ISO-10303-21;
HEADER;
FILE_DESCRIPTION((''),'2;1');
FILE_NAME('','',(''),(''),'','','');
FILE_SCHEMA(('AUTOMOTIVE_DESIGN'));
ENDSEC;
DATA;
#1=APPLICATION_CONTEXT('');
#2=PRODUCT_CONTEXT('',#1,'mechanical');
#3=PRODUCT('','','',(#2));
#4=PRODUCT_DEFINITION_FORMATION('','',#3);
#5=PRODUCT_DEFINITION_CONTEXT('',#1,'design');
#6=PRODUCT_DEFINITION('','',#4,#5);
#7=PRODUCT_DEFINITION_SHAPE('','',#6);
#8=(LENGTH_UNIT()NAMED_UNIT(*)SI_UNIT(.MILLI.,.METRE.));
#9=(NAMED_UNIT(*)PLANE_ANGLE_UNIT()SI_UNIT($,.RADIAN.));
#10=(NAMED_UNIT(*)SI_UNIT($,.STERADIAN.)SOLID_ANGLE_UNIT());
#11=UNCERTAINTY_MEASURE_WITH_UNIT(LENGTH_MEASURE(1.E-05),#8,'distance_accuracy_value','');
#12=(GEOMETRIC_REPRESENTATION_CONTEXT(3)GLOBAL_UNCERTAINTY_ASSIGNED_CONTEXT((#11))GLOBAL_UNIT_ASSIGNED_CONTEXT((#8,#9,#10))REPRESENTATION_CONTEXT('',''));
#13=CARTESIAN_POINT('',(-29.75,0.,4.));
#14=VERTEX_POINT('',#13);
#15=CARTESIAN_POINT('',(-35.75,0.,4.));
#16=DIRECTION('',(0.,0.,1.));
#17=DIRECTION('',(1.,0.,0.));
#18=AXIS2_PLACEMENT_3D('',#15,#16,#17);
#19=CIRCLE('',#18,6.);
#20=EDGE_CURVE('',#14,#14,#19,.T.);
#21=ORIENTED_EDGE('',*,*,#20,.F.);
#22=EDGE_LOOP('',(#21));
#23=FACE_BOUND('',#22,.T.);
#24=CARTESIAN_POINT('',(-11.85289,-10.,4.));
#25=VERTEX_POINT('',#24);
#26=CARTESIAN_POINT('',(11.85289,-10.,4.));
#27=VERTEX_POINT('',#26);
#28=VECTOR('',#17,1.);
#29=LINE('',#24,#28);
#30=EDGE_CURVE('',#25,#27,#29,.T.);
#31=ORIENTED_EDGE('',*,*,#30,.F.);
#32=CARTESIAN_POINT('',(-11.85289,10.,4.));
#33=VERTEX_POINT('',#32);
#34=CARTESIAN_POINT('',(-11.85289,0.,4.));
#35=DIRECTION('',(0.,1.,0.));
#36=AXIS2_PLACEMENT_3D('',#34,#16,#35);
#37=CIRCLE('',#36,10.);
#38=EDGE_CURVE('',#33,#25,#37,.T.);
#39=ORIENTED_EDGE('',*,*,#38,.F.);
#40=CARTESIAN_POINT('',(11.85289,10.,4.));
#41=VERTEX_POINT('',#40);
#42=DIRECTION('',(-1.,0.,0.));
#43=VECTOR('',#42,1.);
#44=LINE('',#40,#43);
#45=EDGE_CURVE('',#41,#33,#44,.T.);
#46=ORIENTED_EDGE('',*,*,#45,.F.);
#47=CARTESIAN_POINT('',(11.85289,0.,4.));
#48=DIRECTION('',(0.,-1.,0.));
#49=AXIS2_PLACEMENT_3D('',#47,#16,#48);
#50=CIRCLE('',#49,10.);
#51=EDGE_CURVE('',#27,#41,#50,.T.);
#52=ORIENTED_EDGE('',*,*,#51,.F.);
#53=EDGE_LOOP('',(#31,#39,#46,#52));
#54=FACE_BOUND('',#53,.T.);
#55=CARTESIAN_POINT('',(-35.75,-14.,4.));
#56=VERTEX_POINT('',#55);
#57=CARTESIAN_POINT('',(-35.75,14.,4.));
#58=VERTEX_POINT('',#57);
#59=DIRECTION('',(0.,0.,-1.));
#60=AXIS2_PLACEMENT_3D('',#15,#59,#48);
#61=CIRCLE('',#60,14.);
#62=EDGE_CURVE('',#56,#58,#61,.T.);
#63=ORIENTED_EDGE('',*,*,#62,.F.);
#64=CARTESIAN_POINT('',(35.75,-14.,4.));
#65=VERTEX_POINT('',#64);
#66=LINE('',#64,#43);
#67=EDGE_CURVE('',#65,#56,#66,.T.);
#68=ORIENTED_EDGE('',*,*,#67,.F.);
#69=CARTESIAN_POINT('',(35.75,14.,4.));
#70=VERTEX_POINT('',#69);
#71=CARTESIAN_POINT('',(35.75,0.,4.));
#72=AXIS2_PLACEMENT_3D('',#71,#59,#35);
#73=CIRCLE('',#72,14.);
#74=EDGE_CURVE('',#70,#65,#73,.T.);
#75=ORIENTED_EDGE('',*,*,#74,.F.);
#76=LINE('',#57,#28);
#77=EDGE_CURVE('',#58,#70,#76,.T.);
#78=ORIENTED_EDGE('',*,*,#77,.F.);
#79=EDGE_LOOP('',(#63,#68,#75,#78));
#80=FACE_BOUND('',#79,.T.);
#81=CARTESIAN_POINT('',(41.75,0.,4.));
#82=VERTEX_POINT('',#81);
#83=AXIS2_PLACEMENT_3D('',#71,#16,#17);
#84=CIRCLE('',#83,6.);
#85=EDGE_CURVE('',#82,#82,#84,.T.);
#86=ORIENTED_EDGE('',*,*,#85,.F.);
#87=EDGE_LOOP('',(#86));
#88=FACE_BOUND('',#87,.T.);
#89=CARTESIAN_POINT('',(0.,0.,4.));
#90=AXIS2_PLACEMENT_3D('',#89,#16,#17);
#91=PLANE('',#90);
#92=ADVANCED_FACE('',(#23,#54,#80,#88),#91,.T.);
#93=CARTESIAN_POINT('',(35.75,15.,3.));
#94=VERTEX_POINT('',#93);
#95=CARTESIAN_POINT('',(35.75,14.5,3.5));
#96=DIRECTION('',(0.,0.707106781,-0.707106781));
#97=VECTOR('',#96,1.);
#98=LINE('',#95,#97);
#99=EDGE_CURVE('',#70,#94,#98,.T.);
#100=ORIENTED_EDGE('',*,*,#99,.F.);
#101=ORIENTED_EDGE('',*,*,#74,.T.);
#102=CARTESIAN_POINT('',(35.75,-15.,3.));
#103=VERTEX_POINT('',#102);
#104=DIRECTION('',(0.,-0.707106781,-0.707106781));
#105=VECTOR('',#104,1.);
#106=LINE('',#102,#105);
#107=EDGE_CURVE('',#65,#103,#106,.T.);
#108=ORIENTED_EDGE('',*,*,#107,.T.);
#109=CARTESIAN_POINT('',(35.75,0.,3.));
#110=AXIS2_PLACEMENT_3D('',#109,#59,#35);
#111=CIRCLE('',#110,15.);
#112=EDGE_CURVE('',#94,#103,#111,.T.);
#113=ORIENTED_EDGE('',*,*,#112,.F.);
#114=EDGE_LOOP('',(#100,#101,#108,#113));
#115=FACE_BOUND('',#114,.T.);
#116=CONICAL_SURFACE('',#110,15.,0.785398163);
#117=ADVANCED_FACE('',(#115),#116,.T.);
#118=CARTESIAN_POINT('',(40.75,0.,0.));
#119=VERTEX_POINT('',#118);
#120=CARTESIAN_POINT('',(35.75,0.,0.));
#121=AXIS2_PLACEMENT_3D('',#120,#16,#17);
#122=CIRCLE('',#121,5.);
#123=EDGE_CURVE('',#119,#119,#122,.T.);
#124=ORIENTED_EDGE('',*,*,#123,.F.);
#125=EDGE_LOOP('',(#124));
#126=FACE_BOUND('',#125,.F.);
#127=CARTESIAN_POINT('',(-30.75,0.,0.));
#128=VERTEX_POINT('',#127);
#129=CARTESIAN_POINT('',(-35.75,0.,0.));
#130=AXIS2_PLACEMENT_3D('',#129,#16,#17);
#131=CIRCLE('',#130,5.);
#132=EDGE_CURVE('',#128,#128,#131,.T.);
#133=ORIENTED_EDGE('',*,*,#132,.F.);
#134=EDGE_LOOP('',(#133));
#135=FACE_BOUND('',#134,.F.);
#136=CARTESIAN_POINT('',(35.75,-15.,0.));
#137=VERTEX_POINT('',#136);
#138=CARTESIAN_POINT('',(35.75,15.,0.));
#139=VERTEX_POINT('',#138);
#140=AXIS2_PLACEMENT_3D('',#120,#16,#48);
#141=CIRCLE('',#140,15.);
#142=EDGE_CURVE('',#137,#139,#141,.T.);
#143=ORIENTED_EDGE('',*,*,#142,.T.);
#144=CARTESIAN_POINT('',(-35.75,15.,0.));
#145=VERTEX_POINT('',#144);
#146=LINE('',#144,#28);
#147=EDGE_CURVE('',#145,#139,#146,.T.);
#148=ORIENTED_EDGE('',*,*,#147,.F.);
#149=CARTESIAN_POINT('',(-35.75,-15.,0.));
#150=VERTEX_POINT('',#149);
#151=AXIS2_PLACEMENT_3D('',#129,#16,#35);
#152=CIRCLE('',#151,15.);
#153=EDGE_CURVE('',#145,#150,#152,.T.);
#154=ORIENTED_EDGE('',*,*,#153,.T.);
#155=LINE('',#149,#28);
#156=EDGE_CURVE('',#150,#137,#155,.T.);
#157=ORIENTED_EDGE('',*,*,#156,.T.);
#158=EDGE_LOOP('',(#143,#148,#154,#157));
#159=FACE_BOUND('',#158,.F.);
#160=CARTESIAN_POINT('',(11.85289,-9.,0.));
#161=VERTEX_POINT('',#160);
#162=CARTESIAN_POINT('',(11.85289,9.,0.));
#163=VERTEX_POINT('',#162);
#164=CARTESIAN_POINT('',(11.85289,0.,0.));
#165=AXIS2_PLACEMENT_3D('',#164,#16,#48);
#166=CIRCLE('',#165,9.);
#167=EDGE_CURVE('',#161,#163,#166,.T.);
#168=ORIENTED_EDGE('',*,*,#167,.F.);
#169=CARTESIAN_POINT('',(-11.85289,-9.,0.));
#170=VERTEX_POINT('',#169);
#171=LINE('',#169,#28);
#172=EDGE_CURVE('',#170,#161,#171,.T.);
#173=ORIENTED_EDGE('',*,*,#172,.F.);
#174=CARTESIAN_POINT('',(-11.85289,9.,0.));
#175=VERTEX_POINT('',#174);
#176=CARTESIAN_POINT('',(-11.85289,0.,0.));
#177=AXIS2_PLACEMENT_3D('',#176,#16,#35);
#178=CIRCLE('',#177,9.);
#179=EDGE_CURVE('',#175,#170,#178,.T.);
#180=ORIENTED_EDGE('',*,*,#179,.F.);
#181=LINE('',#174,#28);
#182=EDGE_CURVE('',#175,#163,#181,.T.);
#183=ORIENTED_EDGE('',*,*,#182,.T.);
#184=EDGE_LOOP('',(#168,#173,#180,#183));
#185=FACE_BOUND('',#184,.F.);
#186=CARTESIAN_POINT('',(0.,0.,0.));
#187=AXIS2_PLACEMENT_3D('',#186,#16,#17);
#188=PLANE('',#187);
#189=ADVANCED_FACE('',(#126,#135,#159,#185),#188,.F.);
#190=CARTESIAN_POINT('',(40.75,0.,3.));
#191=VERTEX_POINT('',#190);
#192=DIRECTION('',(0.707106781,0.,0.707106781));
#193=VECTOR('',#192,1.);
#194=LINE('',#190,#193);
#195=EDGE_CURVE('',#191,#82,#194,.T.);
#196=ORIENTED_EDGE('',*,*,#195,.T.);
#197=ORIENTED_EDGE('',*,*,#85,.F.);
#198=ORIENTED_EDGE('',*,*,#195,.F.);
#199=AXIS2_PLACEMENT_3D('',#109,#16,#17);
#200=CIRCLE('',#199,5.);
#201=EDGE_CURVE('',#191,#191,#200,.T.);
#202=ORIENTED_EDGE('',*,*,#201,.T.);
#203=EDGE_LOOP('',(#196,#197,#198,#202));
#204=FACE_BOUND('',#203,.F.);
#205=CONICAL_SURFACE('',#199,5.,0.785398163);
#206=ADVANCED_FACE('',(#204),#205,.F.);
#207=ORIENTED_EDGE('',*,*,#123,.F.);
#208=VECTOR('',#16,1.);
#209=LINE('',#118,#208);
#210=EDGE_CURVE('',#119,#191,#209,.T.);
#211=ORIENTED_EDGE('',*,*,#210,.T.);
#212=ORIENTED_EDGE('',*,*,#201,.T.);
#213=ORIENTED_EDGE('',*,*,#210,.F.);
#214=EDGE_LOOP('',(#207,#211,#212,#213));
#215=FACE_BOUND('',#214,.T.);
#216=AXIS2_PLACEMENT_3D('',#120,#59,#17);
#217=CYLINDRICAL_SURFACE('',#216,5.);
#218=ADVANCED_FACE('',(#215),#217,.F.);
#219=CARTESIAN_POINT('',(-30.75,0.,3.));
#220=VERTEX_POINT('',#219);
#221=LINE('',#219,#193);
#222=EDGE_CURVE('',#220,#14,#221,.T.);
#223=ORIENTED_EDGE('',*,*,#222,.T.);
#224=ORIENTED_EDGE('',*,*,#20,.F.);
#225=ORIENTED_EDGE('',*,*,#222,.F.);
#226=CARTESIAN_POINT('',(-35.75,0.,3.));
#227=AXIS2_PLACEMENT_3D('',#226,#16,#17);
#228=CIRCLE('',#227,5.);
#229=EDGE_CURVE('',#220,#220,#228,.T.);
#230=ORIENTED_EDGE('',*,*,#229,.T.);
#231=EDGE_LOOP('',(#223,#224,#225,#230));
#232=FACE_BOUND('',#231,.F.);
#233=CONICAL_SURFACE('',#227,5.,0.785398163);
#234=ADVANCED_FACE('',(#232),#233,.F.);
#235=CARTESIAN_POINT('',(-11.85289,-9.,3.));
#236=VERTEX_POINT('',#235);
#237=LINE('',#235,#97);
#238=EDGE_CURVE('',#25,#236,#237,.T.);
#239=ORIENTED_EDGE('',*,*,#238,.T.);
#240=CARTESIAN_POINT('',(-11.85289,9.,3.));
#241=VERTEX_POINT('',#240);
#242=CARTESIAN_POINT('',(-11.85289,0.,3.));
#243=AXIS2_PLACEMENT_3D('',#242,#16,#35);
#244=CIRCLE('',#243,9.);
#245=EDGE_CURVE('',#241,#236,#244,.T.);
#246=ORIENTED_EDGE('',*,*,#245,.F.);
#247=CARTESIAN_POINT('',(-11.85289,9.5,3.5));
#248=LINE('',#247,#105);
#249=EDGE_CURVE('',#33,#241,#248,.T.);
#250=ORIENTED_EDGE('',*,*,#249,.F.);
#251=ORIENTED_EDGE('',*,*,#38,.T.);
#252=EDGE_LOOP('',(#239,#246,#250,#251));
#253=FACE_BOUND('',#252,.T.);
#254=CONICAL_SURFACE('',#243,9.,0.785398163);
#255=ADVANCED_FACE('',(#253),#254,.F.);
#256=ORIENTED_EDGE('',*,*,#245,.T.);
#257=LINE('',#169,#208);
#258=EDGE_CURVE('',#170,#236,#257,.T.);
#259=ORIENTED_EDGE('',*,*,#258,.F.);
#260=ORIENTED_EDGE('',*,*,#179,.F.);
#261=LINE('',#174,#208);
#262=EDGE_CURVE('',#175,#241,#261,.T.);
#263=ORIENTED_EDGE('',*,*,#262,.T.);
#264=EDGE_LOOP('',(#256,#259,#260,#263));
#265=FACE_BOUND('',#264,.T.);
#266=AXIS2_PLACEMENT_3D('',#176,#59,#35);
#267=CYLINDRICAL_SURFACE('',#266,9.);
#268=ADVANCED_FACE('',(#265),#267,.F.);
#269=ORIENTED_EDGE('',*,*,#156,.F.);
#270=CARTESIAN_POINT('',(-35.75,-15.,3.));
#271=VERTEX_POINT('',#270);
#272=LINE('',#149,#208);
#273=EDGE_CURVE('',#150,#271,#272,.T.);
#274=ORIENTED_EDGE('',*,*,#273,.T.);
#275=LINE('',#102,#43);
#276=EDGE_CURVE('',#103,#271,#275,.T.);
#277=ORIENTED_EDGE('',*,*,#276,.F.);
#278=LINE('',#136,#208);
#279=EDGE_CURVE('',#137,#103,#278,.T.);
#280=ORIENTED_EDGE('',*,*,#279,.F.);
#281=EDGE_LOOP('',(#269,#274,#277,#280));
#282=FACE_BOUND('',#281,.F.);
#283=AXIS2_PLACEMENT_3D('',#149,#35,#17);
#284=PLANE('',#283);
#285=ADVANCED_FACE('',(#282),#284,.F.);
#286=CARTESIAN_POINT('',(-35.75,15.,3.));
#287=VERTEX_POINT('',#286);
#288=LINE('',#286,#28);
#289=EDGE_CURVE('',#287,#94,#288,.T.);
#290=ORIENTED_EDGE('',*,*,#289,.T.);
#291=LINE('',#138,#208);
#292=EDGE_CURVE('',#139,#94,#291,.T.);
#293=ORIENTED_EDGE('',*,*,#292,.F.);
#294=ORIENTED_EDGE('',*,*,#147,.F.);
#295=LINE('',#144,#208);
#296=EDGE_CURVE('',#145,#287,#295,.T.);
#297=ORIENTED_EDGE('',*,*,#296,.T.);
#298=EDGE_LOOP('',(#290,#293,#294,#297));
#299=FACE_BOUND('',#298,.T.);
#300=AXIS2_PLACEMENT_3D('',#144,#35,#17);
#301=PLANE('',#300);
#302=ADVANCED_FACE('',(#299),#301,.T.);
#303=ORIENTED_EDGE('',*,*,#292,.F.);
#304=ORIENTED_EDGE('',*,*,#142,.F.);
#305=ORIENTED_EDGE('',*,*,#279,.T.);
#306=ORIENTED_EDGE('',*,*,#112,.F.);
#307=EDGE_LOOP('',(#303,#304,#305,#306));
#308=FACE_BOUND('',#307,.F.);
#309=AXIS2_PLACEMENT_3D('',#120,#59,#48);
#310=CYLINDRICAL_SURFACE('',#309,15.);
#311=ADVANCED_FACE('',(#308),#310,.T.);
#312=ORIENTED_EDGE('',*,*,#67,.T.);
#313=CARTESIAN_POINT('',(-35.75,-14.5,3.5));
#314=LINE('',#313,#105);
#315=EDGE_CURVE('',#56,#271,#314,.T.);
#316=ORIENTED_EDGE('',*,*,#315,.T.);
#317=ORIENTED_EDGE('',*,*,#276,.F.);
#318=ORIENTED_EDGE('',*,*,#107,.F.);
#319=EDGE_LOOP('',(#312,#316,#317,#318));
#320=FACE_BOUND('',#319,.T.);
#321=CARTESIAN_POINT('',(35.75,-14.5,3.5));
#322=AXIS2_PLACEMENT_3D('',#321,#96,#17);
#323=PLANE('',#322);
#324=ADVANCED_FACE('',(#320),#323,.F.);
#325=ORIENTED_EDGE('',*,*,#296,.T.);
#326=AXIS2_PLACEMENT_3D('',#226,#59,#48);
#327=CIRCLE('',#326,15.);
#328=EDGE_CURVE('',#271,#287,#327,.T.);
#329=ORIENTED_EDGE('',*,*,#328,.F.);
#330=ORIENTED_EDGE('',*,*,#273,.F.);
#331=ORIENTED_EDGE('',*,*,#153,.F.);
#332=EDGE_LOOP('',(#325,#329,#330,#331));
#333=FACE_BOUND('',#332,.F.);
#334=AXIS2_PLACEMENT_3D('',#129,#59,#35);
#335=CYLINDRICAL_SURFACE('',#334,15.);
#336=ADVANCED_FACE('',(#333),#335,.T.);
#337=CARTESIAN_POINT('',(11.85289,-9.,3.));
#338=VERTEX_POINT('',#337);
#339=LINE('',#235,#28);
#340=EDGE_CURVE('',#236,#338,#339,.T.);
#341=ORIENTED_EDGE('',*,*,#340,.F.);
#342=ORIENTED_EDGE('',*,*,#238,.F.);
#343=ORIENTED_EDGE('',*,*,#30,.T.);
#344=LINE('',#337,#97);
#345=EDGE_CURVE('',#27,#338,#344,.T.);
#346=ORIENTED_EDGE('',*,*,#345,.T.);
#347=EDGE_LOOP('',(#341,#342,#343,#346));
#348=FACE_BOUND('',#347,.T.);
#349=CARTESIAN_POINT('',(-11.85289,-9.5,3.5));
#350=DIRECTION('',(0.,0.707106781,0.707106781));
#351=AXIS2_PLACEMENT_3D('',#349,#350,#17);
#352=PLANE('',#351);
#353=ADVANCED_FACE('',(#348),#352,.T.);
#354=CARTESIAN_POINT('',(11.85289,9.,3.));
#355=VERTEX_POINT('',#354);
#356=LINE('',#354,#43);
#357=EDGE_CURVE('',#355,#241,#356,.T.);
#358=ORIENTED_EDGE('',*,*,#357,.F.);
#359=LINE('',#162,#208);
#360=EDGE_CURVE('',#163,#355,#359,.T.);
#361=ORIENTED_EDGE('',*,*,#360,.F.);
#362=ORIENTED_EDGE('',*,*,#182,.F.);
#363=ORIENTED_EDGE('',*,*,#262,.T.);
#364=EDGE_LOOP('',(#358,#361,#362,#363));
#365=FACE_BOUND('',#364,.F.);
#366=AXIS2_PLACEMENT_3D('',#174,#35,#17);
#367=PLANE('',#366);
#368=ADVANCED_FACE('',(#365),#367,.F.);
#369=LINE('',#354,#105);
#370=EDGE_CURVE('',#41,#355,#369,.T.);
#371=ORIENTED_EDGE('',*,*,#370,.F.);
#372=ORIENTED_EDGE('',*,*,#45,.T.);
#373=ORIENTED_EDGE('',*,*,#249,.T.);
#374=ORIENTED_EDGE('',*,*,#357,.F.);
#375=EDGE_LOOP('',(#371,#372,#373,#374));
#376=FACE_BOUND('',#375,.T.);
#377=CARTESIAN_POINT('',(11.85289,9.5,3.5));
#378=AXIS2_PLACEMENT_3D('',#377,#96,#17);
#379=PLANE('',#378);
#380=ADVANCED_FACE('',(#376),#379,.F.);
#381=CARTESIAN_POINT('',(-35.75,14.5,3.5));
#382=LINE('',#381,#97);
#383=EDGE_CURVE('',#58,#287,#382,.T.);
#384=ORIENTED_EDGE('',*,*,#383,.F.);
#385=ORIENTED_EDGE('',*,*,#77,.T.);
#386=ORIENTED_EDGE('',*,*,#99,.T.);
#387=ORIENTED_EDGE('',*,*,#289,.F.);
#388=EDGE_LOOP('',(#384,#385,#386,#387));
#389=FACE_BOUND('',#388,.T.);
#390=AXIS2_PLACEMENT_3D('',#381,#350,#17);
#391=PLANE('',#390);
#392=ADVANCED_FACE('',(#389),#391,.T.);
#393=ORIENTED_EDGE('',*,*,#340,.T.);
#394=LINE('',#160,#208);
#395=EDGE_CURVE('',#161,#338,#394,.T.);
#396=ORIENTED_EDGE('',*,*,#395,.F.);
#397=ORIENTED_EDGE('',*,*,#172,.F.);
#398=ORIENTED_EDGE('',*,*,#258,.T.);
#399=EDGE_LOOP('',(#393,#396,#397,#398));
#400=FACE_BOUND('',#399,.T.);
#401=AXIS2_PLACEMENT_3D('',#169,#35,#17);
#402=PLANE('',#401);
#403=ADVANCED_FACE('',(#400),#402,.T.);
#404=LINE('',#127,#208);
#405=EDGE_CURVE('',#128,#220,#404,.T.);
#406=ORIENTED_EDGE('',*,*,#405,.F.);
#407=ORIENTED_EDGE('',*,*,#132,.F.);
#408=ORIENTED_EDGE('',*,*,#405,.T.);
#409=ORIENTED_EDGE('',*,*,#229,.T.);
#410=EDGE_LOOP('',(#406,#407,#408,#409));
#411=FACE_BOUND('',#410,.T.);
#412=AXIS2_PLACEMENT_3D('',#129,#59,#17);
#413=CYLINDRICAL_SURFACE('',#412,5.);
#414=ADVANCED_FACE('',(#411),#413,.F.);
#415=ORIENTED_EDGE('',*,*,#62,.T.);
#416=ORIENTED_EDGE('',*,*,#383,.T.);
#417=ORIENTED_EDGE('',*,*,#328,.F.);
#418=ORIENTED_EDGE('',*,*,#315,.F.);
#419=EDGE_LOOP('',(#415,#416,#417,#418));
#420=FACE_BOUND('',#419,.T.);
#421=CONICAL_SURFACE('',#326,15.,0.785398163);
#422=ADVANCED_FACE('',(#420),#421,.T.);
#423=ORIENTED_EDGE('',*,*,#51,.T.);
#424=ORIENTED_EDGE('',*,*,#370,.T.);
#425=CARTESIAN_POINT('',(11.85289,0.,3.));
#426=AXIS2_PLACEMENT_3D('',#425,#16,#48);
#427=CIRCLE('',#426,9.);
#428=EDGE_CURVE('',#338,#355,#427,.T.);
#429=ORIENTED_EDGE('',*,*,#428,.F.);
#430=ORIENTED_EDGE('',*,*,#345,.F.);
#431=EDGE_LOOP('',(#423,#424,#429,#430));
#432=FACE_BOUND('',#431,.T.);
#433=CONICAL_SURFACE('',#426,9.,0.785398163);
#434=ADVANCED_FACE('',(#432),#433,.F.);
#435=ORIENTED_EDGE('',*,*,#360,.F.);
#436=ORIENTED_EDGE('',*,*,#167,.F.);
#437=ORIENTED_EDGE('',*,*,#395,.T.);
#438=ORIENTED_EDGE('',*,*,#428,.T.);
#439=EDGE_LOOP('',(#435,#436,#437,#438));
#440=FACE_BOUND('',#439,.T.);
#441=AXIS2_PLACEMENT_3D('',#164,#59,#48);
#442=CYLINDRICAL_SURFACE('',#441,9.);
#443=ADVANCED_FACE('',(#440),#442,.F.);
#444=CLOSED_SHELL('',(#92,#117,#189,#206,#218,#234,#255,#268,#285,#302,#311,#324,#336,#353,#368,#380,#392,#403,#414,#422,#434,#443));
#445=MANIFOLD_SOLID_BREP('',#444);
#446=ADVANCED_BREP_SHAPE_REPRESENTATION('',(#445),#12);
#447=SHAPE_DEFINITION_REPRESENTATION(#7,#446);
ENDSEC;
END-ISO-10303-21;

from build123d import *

# Parameters (mm, degrees)
SKETCH_R        = 5
PAD_DEPTH       = 4
CHAMFER_SIZE    = 1
CHAMFER001_SIZE = 1
CHAMFER002_SIZE = 1


with BuildPart() as part:
    # Sketch → Pad (new body)
    with BuildSketch(Plane.XY):
        with BuildLine():
            ThreePointArc((-35.75, 15), (-50.75, 0), (-35.75, -15))
            Line((-35.75, -15), (35.75, -15))
            ThreePointArc((35.75, -15), (50.75, 0), (35.75, 15))
            Line((-35.75, 15), (35.75, 15))
        make_face()
        with Locations((-35.75, 0)):
            Circle(SKETCH_R, mode=Mode.SUBTRACT)
        with Locations((35.75, 0)):
            Circle(SKETCH_R, mode=Mode.SUBTRACT)
        with BuildLine():
            ThreePointArc((-11.85289, 9), (-20.85289, 0), (-11.85289, -9))
            Line((-11.85289, -9), (11.85289, -9))
            ThreePointArc((11.85289, -9), (20.85289, 0), (11.85289, 9))
            Line((-11.85289, 9), (11.85289, 9))
        make_face(mode=Mode.SUBTRACT)
    extrude(amount=PAD_DEPTH)

    # Chamfer
    chamfer_edges = [part.edges().sort_by_distance(p)[0] for p in [
        (-40.75, 0, 4),
        (30.75, 0, 4),
    ]]
    chamfer(chamfer_edges, length=CHAMFER_SIZE)

    # Chamfer001
    chamfer001_edges = [part.edges().sort_by_distance(p)[0] for p in [
        (0, 15, 4),
        (50.75, 0, 4),
        (0, -15, 4),
        (-50.75, 0, 4),
    ]]
    chamfer(chamfer001_edges, length=CHAMFER001_SIZE)

    # Chamfer002
    chamfer002_edges = [part.edges().sort_by_distance(p)[0] for p in [
        (20.85289, 0, 4),
        (0, -9, 4),
        (-20.85289, 0, 4),
        (0, 9, 4),
    ]]
    chamfer(chamfer002_edges, length=CHAMFER002_SIZE)


solid = part.part
